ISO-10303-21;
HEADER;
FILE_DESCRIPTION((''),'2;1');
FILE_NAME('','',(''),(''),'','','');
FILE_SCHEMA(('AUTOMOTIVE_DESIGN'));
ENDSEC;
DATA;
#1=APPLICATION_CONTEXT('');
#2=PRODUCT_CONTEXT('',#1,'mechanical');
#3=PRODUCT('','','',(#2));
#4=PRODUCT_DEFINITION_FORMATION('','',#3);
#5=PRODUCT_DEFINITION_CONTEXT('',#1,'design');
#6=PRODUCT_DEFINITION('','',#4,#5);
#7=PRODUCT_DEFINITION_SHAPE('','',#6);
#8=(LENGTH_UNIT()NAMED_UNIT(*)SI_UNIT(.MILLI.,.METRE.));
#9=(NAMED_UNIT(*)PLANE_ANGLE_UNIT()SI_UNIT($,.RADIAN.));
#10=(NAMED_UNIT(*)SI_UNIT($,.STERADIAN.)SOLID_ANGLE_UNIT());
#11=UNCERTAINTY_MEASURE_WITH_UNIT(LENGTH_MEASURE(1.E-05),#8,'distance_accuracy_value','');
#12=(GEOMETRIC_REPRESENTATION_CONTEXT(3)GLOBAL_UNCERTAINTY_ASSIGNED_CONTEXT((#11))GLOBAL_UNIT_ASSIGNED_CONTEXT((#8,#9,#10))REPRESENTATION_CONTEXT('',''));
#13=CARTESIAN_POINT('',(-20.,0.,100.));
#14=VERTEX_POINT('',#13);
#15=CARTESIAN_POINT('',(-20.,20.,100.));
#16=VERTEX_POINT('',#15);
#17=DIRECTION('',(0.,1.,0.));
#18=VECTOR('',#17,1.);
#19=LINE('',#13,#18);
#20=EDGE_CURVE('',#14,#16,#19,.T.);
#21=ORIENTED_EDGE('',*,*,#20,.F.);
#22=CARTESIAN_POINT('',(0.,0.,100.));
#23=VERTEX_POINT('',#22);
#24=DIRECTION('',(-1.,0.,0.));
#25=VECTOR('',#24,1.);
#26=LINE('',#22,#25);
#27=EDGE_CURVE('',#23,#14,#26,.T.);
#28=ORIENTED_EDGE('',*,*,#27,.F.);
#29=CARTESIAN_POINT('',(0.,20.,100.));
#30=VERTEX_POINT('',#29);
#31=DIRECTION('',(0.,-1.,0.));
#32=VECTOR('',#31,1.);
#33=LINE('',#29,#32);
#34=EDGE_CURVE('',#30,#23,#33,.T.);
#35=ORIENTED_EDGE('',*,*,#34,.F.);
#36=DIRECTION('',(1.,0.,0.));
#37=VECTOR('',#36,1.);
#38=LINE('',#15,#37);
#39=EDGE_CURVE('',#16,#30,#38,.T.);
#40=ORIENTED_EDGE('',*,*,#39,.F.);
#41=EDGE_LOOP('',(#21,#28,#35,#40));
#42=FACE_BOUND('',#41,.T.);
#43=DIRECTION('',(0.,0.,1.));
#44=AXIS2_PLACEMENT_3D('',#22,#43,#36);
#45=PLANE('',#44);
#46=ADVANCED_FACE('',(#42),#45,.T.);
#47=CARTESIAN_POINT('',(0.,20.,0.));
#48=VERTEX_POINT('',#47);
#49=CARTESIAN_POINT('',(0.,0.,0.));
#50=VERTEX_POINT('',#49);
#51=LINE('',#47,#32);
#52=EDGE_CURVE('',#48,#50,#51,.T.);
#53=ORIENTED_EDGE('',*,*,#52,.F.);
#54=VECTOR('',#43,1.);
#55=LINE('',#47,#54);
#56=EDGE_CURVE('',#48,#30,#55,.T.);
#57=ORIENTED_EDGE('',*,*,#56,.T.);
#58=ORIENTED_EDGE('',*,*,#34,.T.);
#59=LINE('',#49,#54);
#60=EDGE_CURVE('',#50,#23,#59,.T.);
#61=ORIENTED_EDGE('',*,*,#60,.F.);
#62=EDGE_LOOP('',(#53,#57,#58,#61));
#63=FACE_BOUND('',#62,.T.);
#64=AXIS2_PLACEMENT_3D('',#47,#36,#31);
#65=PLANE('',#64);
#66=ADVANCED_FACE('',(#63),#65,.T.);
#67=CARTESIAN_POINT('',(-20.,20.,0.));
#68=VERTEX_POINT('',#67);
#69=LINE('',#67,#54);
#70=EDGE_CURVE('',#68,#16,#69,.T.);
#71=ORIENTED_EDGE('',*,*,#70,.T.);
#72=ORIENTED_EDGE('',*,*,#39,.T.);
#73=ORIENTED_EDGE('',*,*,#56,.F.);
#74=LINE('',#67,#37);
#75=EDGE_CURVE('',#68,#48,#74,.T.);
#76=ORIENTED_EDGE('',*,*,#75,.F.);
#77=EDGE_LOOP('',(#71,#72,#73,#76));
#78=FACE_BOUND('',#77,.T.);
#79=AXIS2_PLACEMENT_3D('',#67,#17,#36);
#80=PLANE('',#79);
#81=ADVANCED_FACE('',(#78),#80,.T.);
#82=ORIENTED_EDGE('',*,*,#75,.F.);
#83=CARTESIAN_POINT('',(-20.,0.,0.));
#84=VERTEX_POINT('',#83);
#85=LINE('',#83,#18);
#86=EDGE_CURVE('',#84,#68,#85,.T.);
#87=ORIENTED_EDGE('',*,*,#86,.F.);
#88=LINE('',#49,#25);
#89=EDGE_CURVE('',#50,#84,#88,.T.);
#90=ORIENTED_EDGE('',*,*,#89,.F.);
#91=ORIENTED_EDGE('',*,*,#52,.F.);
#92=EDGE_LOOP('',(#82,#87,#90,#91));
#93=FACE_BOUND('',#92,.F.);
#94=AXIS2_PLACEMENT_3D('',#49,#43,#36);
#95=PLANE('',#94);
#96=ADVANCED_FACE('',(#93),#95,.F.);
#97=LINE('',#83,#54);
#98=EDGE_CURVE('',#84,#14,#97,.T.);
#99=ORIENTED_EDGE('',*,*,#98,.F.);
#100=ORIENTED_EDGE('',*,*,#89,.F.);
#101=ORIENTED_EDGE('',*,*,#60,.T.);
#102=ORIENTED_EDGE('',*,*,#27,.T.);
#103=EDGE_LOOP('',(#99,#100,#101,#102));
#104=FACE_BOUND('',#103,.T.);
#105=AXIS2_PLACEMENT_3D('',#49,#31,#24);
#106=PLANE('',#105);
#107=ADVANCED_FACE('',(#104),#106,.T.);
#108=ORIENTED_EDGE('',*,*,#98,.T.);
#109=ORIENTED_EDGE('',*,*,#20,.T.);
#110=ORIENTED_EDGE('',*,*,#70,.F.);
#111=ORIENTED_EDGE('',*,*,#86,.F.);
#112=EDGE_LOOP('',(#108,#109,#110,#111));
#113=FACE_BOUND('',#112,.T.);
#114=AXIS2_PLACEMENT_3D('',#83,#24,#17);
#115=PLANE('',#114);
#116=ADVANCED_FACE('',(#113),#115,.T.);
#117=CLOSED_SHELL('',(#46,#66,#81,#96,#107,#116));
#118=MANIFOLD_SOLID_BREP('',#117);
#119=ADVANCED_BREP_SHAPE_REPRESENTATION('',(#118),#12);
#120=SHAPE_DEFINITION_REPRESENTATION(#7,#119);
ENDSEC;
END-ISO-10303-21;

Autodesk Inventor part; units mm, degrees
ref_plane "YZ Plane" through (0, 0, 0) normal (1, 0, 0) x (0, 1, 0)
ref_plane "XZ Plane" through (0, 0, 0) normal (0, 1, 0) x (-1, 0, 0)
ref_plane "XY Plane" through (0, 0, 0) normal (0, 0, 1) x (1, 0, 0)
sketch "Sketch1" plane through (0, 0, 0) normal (0, 0, 1) x (1, 0, 0)
  line L0 (0, 0) -> (-20, 0)
  line L1 (-20, 0) -> (-20, 20)
  line L2 (-20, 20) -> (0, 20)
  line L3 (0, 20) -> (0, 0)
  dimension "d0" = 20
  dimension "d1" = 20
extrude "Extrusion1" add sketch "Sketch1" along normal blind 100
properties part number "motorAxis"
